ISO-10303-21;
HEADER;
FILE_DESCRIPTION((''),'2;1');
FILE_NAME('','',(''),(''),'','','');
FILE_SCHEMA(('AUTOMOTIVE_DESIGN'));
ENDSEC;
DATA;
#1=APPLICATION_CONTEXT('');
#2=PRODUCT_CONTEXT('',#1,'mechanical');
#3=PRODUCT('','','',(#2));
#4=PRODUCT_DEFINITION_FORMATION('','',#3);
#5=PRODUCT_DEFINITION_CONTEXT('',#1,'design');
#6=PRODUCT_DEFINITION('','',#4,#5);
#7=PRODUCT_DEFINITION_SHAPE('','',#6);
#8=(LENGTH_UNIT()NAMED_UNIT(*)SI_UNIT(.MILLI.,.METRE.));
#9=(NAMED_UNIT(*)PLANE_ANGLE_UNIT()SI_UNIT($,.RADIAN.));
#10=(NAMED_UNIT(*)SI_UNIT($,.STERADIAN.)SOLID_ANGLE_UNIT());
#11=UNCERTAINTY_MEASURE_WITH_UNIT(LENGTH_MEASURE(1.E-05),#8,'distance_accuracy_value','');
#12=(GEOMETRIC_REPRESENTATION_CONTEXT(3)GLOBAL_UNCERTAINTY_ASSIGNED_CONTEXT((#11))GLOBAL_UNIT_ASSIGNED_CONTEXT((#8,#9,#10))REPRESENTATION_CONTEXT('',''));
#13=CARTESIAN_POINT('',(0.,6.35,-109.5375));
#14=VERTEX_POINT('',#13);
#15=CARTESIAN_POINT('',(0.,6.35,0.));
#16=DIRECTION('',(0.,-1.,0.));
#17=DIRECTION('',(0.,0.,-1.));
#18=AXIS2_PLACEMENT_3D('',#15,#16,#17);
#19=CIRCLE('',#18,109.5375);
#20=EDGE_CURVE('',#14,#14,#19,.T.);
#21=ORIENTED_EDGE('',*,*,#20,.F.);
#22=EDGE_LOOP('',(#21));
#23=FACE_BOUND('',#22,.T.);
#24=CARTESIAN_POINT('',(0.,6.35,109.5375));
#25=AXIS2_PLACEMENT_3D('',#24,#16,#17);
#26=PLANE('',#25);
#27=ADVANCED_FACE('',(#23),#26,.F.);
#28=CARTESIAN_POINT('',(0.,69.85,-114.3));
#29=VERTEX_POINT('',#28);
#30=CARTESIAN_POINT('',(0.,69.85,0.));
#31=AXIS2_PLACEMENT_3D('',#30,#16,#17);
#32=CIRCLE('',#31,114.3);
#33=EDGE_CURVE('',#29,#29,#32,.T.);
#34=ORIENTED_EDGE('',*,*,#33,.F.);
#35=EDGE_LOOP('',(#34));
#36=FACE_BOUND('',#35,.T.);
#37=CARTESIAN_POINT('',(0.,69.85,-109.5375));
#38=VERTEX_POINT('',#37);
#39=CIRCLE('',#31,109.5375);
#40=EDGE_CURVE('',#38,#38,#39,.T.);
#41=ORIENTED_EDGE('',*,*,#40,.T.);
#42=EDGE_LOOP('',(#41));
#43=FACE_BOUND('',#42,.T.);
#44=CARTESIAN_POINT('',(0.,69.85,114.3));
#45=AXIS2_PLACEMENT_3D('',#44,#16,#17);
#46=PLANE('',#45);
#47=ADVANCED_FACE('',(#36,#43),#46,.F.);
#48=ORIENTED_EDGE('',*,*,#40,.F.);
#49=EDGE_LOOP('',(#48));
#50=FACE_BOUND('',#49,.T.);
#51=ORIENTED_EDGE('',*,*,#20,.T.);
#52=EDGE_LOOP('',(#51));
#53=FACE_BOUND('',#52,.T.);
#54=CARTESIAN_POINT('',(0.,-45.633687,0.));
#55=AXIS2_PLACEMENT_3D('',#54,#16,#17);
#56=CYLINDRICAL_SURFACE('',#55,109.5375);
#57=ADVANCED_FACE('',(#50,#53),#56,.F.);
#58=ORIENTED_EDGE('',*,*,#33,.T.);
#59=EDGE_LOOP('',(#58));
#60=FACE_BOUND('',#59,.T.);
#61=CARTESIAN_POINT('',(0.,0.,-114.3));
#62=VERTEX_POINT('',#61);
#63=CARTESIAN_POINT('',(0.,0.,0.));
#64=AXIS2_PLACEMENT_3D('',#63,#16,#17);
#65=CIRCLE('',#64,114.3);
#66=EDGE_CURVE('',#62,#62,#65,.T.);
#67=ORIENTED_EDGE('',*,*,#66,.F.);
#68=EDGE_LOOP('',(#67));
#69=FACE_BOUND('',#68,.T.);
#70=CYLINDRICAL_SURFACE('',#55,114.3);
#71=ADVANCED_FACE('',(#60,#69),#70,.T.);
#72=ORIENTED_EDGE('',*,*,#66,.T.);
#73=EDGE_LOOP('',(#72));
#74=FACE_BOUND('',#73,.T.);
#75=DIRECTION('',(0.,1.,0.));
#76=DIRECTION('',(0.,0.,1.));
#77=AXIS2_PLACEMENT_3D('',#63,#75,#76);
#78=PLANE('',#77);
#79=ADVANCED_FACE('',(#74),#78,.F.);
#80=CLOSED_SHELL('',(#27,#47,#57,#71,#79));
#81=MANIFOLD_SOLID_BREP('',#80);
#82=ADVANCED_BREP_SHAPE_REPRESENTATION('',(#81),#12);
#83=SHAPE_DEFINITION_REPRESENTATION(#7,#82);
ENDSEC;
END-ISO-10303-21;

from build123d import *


with BuildPart() as part:
    # Sketch1 → Revolve1 (revolve)
    with BuildSketch(Plane(origin=(0, 0, 0), x_dir=(0, 0, -1), z_dir=(1, 0, 0)), mode=Mode.PRIVATE) as revolve1_sk:
        Polygon((0, 0), (-114.3, 0), (-114.3, 69.85), (-109.5375, 69.85), (-109.5375, 6.35), (0, 6.35), align=None)
    revolve(revolve1_sk.sketch.rotate(Axis((0, -45.633687212, 0), (0, 1, 0)), 180), axis=Axis((0, -45.633687212, 0), (0, 1, 0)))  # turned: the seam where the file's is


solid = part.part
